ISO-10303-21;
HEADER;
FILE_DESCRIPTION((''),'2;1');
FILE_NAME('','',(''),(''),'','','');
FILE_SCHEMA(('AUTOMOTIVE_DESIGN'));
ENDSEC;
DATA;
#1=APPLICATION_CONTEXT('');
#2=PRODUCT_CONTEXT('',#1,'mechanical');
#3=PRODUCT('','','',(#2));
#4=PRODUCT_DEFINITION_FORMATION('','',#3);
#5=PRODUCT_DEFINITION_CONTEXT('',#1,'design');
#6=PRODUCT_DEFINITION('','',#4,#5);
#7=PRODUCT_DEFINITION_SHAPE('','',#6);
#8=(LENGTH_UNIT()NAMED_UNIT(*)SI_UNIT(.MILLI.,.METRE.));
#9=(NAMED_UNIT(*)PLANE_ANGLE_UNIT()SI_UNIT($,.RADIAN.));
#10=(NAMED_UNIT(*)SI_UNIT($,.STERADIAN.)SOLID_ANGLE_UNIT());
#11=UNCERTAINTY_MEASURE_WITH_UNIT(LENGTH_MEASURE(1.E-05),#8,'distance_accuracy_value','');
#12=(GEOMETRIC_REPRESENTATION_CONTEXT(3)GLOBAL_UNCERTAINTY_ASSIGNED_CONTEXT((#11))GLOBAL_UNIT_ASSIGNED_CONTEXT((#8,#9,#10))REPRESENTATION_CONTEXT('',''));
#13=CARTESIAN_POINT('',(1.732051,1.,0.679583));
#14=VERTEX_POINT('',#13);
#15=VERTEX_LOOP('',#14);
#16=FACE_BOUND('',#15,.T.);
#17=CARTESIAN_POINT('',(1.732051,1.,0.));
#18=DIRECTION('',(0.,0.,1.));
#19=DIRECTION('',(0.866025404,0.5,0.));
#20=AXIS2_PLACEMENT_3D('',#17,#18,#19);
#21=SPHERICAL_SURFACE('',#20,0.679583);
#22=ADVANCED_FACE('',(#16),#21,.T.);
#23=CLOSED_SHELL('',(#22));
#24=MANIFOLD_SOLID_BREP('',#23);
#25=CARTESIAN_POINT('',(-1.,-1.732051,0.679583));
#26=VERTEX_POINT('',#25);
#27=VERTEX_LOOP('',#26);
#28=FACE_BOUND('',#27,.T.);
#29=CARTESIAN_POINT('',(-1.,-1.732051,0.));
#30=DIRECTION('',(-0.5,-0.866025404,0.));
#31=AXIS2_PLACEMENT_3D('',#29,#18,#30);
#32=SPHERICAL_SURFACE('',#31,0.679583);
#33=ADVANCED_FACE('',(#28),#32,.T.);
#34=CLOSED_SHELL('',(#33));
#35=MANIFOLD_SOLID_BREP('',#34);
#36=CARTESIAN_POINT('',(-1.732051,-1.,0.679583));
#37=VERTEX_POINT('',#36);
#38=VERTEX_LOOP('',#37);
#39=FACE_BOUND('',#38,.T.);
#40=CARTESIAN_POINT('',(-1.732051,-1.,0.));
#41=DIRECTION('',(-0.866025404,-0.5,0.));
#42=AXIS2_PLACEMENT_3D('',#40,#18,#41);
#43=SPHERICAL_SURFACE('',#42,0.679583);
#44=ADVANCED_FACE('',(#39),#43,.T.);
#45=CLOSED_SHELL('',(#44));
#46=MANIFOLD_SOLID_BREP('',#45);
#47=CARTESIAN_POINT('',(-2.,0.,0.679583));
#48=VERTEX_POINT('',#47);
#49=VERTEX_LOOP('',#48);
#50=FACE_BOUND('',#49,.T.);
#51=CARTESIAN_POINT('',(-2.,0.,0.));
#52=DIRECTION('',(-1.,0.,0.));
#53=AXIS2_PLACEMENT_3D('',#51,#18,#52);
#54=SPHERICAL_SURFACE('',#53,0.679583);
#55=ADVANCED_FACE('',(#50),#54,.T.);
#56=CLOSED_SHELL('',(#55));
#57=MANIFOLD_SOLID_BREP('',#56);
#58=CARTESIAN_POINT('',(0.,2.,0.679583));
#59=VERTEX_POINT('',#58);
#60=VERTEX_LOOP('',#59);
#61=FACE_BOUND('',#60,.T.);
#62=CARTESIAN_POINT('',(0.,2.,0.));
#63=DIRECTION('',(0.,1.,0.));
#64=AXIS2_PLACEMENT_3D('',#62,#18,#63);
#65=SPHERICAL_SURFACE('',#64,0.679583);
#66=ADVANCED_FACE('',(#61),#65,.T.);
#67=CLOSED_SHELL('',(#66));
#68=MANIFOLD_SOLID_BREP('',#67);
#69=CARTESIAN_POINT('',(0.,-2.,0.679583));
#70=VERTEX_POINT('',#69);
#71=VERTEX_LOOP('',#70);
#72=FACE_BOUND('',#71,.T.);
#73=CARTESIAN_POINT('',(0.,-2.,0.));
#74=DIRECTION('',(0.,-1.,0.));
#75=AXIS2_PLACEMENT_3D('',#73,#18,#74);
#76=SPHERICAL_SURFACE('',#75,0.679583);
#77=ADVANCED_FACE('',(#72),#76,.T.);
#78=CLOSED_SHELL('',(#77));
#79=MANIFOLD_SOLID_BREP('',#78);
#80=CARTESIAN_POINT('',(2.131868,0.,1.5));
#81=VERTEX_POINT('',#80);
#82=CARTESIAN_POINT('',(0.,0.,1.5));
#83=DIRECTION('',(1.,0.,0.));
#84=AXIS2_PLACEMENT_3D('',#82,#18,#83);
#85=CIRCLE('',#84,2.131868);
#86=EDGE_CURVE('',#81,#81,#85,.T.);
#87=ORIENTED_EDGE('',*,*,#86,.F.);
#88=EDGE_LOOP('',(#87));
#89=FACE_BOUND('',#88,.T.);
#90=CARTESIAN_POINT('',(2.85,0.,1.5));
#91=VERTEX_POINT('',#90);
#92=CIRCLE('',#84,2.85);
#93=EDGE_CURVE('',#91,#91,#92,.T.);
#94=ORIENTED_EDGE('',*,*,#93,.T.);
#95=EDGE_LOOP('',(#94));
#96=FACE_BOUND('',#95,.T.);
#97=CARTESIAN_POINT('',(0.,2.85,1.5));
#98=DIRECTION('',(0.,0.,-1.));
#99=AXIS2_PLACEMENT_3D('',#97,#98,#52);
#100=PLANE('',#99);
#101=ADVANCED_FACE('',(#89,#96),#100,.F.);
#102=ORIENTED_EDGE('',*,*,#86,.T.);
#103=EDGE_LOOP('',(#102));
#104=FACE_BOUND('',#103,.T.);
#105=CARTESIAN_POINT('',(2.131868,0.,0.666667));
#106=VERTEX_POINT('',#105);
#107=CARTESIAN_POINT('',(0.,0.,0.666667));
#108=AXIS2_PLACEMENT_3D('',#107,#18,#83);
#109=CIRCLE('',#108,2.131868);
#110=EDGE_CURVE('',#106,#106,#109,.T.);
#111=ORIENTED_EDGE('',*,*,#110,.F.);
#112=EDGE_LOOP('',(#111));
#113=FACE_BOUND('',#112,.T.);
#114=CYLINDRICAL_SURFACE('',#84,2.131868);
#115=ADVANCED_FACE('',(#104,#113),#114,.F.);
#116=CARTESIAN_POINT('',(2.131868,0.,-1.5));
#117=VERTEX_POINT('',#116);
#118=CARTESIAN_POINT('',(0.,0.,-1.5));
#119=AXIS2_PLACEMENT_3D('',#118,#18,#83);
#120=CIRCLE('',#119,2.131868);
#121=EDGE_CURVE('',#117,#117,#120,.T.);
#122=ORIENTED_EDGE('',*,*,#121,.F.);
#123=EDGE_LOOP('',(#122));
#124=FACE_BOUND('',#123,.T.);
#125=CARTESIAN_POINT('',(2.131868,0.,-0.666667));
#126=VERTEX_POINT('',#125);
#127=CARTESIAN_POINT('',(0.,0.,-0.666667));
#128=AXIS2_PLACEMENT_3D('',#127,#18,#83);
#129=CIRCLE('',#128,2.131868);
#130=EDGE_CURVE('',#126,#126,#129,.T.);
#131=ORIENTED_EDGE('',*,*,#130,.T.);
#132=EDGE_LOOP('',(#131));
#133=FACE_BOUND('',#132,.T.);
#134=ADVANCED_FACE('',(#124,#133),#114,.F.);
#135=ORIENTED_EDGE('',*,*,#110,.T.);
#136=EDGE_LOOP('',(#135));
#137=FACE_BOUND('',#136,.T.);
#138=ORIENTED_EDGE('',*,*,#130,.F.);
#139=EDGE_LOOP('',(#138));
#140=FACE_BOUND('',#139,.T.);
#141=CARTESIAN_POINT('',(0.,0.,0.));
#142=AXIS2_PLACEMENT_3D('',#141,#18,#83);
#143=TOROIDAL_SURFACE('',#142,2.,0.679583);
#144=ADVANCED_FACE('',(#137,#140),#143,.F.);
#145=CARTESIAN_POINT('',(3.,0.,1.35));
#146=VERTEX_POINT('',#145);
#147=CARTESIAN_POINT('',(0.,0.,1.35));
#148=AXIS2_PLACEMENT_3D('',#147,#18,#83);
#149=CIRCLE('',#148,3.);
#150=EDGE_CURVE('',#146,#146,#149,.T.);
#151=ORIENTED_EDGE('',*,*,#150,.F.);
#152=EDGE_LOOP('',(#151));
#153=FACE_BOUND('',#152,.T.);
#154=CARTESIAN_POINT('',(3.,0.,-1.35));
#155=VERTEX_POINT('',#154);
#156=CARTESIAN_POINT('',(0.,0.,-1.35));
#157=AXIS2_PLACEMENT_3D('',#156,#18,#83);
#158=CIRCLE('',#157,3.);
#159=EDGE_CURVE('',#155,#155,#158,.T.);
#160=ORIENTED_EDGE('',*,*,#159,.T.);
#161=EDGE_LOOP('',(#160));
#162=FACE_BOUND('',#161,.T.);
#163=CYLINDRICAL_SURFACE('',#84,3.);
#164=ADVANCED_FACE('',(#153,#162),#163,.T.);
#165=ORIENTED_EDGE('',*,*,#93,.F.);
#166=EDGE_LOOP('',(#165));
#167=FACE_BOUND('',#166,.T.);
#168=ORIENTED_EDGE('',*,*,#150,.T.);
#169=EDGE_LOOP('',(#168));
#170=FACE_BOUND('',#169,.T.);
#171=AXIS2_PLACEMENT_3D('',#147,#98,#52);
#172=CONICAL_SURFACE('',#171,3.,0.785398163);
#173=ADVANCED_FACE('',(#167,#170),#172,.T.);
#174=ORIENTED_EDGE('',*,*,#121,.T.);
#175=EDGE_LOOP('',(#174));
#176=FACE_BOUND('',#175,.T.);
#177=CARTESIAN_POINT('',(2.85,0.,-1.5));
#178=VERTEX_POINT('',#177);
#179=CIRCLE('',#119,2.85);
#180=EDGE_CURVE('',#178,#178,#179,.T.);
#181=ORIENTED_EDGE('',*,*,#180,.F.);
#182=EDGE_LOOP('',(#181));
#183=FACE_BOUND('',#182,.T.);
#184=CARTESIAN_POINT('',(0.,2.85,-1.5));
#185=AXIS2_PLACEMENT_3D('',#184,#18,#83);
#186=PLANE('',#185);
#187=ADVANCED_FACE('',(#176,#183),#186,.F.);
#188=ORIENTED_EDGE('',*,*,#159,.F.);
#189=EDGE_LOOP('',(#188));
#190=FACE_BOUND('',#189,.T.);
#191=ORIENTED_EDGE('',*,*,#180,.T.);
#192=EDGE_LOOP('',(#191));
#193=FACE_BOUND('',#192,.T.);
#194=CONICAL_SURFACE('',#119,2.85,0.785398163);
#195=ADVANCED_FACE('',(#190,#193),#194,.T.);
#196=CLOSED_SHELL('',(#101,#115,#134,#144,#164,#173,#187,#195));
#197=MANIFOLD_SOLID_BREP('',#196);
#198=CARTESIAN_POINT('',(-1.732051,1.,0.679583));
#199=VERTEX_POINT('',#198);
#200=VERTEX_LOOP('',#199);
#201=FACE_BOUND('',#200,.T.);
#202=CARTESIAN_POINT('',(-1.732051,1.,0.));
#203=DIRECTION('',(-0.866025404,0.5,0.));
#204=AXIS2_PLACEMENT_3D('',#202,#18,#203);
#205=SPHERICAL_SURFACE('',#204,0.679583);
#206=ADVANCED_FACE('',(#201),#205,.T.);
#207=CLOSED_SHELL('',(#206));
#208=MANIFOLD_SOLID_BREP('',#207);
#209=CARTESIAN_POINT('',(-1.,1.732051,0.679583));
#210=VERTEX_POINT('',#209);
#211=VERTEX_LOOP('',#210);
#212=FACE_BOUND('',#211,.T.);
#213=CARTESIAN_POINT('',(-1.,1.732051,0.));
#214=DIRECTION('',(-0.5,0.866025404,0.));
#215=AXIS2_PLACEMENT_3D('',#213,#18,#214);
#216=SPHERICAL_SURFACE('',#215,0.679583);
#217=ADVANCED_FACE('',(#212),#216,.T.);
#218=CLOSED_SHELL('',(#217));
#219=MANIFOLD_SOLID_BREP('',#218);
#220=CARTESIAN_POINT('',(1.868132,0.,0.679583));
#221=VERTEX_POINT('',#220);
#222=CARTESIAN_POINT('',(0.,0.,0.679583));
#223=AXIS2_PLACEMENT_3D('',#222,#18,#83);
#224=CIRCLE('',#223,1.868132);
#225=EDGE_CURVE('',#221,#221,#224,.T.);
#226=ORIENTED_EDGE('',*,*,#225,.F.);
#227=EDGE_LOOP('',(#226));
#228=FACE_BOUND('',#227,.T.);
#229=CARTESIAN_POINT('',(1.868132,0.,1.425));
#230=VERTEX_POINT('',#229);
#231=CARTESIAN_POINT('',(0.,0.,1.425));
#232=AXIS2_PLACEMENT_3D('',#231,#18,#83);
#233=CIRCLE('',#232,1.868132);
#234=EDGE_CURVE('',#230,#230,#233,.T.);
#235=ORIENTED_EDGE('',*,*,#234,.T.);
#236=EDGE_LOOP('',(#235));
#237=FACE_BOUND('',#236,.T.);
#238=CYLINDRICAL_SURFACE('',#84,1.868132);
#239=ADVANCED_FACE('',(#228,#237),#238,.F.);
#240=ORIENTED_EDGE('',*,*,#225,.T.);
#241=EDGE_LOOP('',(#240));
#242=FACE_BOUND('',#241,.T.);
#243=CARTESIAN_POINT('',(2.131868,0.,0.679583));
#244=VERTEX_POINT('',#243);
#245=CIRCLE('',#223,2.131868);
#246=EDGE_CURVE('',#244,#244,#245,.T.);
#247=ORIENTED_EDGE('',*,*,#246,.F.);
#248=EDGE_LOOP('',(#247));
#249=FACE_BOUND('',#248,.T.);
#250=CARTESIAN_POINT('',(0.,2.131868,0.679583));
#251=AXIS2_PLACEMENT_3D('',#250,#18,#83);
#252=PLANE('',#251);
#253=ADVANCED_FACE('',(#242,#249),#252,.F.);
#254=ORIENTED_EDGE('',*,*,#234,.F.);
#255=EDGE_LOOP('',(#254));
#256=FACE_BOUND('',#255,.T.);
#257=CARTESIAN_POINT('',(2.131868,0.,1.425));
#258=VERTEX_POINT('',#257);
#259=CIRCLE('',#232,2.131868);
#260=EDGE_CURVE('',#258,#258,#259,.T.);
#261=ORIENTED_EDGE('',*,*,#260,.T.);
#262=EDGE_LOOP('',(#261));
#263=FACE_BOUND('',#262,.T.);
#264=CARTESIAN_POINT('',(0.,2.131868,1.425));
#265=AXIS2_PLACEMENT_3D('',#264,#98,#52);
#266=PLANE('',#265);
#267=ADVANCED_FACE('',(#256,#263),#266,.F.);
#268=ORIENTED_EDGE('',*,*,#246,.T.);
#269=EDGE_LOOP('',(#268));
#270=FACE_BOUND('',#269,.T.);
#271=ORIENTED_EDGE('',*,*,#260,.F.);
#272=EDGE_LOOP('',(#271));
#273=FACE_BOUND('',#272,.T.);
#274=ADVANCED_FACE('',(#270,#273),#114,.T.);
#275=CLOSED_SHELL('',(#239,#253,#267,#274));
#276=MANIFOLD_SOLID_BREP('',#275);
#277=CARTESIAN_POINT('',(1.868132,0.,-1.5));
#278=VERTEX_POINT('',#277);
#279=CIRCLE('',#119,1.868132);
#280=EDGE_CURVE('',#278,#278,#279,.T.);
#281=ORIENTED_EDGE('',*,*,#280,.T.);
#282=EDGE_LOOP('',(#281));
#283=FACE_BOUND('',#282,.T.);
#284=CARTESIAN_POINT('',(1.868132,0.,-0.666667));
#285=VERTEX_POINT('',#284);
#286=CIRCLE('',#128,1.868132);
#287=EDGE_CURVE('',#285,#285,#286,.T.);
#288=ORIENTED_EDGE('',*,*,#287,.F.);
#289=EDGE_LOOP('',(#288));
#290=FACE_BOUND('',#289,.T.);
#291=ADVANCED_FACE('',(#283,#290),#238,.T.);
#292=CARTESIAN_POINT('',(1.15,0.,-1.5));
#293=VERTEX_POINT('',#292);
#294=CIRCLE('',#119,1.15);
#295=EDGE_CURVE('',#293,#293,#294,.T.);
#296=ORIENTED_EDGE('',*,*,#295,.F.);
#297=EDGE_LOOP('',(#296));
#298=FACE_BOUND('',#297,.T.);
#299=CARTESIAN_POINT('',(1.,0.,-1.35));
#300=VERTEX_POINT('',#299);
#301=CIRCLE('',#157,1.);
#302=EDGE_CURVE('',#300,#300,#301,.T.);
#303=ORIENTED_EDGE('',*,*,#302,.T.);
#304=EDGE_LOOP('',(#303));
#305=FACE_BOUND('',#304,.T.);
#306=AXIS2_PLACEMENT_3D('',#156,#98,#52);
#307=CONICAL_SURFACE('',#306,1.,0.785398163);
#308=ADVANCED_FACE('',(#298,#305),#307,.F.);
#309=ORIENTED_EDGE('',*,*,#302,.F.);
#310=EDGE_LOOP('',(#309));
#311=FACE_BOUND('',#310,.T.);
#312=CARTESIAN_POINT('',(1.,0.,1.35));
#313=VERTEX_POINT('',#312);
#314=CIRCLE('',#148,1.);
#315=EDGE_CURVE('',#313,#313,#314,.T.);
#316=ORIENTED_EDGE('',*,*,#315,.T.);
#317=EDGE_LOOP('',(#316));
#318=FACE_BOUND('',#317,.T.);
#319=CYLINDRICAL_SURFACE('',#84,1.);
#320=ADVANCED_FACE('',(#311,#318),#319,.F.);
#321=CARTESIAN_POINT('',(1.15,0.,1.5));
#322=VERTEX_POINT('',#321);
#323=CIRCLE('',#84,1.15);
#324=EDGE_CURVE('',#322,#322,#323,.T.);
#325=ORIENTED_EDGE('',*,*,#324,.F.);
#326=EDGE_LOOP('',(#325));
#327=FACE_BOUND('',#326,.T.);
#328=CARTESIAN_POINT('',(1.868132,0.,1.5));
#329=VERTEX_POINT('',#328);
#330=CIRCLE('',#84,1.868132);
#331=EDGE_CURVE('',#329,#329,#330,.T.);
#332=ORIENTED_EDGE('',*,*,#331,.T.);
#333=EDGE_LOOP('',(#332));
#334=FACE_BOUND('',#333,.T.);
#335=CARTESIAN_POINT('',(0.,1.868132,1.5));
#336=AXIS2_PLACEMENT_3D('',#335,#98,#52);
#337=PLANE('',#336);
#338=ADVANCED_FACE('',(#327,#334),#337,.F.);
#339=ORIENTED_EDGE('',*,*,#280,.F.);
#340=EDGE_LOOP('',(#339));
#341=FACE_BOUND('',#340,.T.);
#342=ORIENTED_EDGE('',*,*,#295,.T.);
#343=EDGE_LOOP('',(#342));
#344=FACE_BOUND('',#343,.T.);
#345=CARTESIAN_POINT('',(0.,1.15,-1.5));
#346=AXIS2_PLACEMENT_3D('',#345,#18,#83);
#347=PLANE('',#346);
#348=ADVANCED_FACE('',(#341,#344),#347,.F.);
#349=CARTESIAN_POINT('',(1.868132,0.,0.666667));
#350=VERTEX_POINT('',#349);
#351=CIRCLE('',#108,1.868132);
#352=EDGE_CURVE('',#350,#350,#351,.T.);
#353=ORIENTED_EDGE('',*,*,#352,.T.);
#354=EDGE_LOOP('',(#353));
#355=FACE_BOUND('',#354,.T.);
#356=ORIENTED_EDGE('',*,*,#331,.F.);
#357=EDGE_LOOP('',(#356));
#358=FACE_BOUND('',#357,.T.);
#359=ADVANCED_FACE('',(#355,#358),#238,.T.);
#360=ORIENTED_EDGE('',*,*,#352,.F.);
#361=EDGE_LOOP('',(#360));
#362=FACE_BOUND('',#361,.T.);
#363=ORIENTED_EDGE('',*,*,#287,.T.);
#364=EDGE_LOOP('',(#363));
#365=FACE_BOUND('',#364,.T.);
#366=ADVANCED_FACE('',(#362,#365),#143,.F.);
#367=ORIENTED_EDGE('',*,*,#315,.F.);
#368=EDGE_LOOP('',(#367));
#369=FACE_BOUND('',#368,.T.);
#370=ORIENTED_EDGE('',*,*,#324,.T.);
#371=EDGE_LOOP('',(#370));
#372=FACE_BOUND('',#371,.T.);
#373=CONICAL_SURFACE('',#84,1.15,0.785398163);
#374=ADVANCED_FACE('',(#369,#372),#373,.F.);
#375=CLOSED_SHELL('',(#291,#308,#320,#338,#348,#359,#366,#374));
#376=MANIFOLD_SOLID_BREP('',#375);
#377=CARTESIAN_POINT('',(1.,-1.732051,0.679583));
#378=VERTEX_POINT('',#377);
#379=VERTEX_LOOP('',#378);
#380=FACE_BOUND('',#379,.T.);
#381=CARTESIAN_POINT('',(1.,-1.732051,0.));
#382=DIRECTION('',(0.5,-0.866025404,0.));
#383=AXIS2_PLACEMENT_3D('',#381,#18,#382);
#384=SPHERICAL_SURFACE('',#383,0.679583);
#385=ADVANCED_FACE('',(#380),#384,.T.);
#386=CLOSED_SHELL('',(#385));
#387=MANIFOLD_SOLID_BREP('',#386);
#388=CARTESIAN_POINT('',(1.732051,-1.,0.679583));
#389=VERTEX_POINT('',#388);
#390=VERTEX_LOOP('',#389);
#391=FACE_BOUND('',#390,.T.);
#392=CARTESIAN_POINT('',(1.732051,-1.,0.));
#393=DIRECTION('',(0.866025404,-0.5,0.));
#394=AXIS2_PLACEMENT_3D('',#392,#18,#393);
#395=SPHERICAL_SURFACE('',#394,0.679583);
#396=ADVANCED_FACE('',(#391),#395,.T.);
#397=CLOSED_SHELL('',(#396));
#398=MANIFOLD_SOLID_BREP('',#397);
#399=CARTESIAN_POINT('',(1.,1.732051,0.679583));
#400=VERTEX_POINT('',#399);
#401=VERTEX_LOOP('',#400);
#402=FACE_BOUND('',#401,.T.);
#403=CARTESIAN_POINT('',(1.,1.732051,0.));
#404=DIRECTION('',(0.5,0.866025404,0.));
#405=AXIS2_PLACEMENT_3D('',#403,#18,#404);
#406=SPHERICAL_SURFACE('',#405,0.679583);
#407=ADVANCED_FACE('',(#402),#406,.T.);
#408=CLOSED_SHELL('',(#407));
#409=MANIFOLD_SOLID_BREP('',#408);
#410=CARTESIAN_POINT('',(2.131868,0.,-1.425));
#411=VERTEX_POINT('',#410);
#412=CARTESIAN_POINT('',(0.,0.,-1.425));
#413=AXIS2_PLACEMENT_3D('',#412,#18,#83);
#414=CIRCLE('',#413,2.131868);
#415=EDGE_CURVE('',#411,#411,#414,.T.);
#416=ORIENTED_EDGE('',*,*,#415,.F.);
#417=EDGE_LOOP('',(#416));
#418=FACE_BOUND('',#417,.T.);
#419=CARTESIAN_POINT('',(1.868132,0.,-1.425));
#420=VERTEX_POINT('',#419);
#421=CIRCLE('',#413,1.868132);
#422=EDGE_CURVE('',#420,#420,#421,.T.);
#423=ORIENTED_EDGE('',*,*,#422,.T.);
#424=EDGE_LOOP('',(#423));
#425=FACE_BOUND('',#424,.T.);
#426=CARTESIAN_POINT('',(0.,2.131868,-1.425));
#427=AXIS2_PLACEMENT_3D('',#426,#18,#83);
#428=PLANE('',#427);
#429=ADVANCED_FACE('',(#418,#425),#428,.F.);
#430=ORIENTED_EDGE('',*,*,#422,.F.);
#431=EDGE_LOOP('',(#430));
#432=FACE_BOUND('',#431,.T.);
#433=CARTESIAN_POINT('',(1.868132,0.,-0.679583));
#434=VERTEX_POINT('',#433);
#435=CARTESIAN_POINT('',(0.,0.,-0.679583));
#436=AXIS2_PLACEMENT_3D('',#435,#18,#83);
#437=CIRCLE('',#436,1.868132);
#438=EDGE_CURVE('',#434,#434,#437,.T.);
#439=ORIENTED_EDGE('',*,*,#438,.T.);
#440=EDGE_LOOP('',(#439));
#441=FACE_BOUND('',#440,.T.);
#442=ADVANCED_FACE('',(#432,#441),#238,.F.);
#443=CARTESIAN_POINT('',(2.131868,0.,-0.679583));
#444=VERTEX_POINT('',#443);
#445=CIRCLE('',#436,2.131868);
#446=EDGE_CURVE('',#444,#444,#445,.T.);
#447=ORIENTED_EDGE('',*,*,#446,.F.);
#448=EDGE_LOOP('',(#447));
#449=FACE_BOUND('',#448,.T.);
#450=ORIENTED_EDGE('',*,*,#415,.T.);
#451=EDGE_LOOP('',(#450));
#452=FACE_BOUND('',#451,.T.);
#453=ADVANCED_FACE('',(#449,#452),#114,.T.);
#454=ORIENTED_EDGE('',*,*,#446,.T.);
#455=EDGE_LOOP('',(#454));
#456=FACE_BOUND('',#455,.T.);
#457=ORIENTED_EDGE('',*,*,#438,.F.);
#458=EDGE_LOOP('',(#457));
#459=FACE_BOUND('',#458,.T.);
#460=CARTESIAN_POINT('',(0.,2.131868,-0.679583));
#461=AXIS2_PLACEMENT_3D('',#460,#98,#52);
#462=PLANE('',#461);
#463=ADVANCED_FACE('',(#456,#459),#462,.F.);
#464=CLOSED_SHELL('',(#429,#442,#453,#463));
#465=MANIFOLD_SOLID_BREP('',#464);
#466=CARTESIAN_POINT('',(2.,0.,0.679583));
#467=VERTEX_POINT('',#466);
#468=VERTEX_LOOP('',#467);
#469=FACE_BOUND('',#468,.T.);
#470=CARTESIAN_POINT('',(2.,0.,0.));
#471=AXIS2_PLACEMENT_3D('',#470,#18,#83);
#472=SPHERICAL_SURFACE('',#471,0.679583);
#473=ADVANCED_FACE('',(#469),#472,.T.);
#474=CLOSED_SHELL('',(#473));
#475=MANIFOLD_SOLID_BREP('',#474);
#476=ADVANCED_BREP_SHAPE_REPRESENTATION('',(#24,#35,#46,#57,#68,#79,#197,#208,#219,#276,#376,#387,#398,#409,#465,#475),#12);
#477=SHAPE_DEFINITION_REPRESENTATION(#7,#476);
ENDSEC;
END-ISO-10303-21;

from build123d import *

# Parameters (mm, degrees)
CIRPATTERN1_COUNT = 12
SKETCH5_W         = 0.745416562
SKETCH5_H         = 0.263736264


with BuildPart() as part:
    # Sketch1 → Revolve1 (revolve)
    with BuildSketch(Plane(origin=(0, 0, 0), x_dir=(0, 0, -1), z_dir=(1, 0, 0))):
        with BuildLine():
            Line((1.35, 3), (-1.35, 3))
            Line((-1.35, 3), (-1.5, 2.85))
            Line((-1.5, 2.85), (-1.5, 2.131868132))
            Line((-1.5, 2.131868132), (-0.666666667, 2.131868132))
            ThreePointArc((-0.666666667, 2.131868132), (0, 2.679583438), (0.666666667, 2.131868132))
            Line((0.666666667, 2.131868132), (1.5, 2.131868132))
            Line((1.5, 2.131868132), (1.5, 2.85))
            Line((1.5, 2.85), (1.35, 3))
        make_face()
    revolve(axis=Axis((0, 0, 1.5), (0, 0, -1)))


with BuildPart() as body_2:
    # Sketch3 → Revolve3 (revolve)
    with BuildSketch(Plane(origin=(0, 0, 0), x_dir=(0, 0, -1), z_dir=(1, 0, 0))):
        with BuildLine():
            Line((-1.5, 1.868131868), (-0.666666667, 1.868131868))
            ThreePointArc((-0.666666667, 1.868131868), (0, 1.320416562), (0.666666667, 1.868131868))
            Line((0.666666667, 1.868131868), (1.5, 1.868131868))
            Line((1.5, 1.868131868), (1.5, 1.15))
            Line((1.5, 1.15), (1.35, 1))
            Line((1.35, 1), (-1.35, 1))
            Line((-1.35, 1), (-1.5, 1.15))
            Line((-1.5, 1.15), (-1.5, 1.868131868))
        make_face()
    revolve(axis=Axis((0, 0, 1.5), (0, 0, -1)))


with BuildPart() as body_3:
    # Sketch4 → Revolve4 (revolve)
    with BuildSketch(Plane(origin=(0, 0, 0), x_dir=(0, 0, -1), z_dir=(1, 0, 0))):
        with BuildLine():
            Line((-0.679583438, 2), (0.679583438, 2))
            ThreePointArc((0.679583438, 2), (0, 2.679583438), (-0.679583438, 2))
        make_face()
    revolve(axis=Axis((0, 2, 0.679583438), (0, 0, -1)))


with BuildPart() as cirpattern1_1:
    # CirPattern1: pattern copy
    add(body_3.part.rotate(Axis((0, 0, 0), (0, 0, 1)), 1 * 360 / CIRPATTERN1_COUNT))


with BuildPart() as cirpattern1_2:
    # CirPattern1: pattern copy
    add(body_3.part.rotate(Axis((0, 0, 0), (0, 0, 1)), 2 * 360 / CIRPATTERN1_COUNT))


with BuildPart() as cirpattern1_3:
    # CirPattern1: pattern copy
    add(body_3.part.rotate(Axis((0, 0, 0), (0, 0, 1)), 3 * 360 / CIRPATTERN1_COUNT))


with BuildPart() as cirpattern1_4:
    # CirPattern1: pattern copy
    add(body_3.part.rotate(Axis((0, 0, 0), (0, 0, 1)), 4 * 360 / CIRPATTERN1_COUNT))


with BuildPart() as cirpattern1_5:
    # CirPattern1: pattern copy
    add(body_3.part.rotate(Axis((0, 0, 0), (0, 0, 1)), 5 * 360 / CIRPATTERN1_COUNT))


with BuildPart() as cirpattern1_6:
    # CirPattern1: pattern copy
    add(body_3.part.rotate(Axis((0, 0, 0), (0, 0, 1)), 6 * 360 / CIRPATTERN1_COUNT))


with BuildPart() as cirpattern1_7:
    # CirPattern1: pattern copy
    add(body_3.part.rotate(Axis((0, 0, 0), (0, 0, 1)), 7 * 360 / CIRPATTERN1_COUNT))


with BuildPart() as cirpattern1_8:
    # CirPattern1: pattern copy
    add(body_3.part.rotate(Axis((0, 0, 0), (0, 0, 1)), 8 * 360 / CIRPATTERN1_COUNT))


with BuildPart() as cirpattern1_9:
    # CirPattern1: pattern copy
    add(body_3.part.rotate(Axis((0, 0, 0), (0, 0, 1)), 9 * 360 / CIRPATTERN1_COUNT))


with BuildPart() as cirpattern1_10:
    # CirPattern1: pattern copy
    add(body_3.part.rotate(Axis((0, 0, 0), (0, 0, 1)), 10 * 360 / CIRPATTERN1_COUNT))


with BuildPart() as cirpattern1_11:
    # CirPattern1: pattern copy
    add(body_3.part.rotate(Axis((0, 0, 0), (0, 0, 1)), 11 * 360 / CIRPATTERN1_COUNT))


with BuildPart() as body_15:
    # Sketch5 → Revolve5 (revolve)
    with BuildSketch(Plane(origin=(0, 0, 0), x_dir=(0, 0, -1), z_dir=(1, 0, 0))):
        with Locations((-1.052291719, 2)):
            Rectangle(SKETCH5_W, SKETCH5_H)
        with Locations((1.052291719, 2)):
            Rectangle(SKETCH5_W, SKETCH5_H)
    revolve(axis=Axis((0, 0, 1.5), (0, 0, -1)))


solid = Compound([part.part, body_2.part, body_3.part, cirpattern1_1.part, cirpattern1_2.part, cirpattern1_3.part, cirpattern1_4.part, cirpattern1_5.part, cirpattern1_6.part, cirpattern1_7.part, cirpattern1_8.part, cirpattern1_9.part, cirpattern1_10.part, cirpattern1_11.part, body_15.part])
